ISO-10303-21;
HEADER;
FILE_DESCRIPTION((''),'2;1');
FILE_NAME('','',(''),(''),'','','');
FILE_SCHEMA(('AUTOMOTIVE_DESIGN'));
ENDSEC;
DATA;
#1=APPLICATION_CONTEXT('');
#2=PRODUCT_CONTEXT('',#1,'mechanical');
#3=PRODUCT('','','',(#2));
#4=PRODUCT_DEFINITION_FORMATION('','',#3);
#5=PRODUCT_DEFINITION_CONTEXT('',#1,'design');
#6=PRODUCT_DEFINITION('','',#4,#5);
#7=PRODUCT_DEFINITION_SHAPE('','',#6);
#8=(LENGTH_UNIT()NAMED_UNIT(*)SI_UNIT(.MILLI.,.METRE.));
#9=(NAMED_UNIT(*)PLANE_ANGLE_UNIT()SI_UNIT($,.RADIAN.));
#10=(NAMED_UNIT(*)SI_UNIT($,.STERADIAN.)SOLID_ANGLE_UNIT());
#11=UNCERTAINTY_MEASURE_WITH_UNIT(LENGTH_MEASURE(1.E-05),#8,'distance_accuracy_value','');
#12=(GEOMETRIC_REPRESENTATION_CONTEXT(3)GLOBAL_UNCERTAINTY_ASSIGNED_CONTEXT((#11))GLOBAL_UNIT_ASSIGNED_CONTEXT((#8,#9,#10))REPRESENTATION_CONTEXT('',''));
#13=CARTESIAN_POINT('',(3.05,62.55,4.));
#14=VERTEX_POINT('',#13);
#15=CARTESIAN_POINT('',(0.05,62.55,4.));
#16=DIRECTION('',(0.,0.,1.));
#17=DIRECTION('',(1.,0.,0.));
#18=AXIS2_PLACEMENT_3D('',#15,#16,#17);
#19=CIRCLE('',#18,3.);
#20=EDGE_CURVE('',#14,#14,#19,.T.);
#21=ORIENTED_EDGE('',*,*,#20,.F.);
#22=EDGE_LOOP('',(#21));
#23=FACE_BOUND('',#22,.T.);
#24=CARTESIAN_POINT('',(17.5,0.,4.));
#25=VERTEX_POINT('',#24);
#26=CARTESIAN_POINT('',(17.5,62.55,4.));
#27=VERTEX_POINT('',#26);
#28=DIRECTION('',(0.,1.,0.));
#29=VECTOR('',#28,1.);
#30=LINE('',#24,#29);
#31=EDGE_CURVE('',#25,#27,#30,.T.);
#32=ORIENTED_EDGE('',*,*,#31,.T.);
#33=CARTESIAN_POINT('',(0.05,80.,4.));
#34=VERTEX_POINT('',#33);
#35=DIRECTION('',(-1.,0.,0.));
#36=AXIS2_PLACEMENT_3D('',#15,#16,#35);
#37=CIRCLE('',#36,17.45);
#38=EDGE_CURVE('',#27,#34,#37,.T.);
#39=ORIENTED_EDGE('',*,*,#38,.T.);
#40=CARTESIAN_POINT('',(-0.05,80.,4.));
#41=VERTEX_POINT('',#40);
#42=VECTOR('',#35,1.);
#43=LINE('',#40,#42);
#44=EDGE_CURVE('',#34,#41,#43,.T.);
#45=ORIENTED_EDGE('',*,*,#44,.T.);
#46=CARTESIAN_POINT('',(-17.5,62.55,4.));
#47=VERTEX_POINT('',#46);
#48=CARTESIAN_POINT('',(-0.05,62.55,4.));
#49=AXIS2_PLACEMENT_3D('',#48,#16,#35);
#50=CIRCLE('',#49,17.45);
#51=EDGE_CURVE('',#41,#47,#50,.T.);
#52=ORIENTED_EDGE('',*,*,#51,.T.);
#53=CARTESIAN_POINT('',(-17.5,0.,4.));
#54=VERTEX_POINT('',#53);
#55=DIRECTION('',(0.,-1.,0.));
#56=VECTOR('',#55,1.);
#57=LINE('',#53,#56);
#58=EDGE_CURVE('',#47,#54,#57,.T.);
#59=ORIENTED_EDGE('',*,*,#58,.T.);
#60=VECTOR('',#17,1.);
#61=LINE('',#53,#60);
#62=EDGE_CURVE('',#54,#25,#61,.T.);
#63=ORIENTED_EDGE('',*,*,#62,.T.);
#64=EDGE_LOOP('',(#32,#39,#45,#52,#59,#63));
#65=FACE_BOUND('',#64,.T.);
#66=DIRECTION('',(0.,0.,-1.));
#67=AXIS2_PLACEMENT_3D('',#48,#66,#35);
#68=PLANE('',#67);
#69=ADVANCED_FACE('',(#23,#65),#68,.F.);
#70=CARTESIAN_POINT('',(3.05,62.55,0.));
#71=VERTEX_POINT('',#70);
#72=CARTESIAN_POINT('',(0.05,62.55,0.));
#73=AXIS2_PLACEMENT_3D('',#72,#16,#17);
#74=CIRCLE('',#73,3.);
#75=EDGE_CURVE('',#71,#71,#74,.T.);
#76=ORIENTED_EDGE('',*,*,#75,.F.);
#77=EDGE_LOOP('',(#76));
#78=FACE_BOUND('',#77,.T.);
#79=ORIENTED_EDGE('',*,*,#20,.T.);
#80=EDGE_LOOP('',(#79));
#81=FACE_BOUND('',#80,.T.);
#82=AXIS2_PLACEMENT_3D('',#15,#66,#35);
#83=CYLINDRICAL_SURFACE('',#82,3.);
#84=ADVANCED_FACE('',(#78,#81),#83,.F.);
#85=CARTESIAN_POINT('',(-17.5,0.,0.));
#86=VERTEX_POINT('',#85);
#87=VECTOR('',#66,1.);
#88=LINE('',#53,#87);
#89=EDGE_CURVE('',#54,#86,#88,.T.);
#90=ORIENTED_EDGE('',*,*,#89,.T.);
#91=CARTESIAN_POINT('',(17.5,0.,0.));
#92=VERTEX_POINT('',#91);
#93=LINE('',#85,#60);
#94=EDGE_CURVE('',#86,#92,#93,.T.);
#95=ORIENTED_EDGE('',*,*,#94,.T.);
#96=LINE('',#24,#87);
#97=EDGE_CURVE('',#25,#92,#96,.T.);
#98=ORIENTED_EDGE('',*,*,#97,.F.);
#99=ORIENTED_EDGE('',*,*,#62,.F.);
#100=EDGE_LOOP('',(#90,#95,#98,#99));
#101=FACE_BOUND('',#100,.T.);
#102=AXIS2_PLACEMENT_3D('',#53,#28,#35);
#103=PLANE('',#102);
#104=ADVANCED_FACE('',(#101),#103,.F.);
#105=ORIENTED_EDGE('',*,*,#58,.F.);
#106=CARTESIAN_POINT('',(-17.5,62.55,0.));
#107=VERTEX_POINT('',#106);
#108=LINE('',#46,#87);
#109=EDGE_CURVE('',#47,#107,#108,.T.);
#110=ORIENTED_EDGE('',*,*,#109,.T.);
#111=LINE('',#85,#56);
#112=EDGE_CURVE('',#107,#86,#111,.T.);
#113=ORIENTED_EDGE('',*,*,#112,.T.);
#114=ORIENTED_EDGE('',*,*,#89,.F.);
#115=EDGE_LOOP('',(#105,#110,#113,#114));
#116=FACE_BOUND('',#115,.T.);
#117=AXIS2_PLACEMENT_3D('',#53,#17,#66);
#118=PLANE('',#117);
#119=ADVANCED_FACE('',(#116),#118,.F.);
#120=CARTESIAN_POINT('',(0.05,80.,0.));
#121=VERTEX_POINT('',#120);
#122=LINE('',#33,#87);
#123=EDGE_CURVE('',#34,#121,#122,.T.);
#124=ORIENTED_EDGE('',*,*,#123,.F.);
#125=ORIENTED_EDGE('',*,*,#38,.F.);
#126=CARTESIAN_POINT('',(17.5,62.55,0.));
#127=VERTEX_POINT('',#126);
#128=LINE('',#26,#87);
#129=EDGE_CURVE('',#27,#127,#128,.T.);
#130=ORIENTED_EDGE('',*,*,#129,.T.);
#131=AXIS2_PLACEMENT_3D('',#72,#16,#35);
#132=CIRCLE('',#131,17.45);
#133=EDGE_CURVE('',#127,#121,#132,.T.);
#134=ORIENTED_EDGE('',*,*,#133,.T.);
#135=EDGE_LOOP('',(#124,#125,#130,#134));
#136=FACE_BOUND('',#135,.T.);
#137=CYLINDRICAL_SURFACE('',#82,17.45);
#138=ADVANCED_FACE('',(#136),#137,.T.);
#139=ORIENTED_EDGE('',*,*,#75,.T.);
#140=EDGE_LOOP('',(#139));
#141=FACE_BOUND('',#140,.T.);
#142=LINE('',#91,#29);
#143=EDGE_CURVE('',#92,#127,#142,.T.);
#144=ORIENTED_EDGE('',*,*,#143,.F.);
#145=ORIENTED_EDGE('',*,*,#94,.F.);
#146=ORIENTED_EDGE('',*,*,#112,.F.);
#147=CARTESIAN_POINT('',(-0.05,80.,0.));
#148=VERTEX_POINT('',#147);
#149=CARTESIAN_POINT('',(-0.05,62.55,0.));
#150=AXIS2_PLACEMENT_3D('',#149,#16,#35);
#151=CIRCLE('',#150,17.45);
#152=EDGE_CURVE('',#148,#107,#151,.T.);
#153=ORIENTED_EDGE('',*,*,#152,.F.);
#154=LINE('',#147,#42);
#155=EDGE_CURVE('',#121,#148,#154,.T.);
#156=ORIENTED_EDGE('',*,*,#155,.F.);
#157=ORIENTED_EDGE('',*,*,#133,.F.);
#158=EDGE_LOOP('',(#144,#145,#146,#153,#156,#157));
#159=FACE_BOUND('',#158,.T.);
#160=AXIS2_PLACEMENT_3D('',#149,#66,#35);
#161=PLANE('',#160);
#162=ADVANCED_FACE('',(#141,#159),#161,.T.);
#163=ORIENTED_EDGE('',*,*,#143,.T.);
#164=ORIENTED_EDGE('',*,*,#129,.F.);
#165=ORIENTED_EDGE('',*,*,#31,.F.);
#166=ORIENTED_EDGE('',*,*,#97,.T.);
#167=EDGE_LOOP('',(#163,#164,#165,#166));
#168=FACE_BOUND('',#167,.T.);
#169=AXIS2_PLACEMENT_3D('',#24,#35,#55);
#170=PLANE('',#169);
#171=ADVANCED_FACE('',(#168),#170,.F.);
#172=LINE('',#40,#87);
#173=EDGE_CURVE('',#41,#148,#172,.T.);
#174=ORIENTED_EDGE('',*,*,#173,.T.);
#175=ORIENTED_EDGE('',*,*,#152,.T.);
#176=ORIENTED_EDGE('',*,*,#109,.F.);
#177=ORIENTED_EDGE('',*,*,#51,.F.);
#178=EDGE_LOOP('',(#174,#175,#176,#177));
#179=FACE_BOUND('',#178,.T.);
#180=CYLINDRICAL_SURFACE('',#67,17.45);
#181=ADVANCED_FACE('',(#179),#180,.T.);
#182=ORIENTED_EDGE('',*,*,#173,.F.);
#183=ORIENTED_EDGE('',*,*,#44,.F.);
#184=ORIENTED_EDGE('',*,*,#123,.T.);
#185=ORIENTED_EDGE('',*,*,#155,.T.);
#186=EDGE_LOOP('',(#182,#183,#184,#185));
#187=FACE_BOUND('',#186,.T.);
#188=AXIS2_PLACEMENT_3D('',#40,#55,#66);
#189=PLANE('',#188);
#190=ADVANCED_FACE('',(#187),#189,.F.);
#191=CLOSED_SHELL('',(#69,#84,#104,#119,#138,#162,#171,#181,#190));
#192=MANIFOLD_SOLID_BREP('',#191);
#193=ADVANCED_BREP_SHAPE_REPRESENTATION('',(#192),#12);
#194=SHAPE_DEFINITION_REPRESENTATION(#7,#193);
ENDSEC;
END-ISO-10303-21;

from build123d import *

# Parameters (mm, degrees)
SKETCH_1_R      = 3
EXTRUDE_1_DEPTH = 4


with BuildPart() as part:
    # Эскиз1 → Бобышка-Вытянуть1 (new body)
    with BuildSketch(Plane.XY):
        with BuildLine():
            Line((-17.5, 0), (17.5, 0))
            Line((17.5, 0), (17.5, 62.55))
            ThreePointArc((17.5, 62.55), (12.389013332, 74.889013332), (0.05, 80))
            Line((0.05, 80), (-0.05, 80))
            ThreePointArc((-0.05, 80), (-12.389013332, 74.889013332), (-17.5, 62.55))
            Line((-17.5, 62.55), (-17.5, 0))
        make_face()
        with Locations((0.05, 62.55)):
            Circle(SKETCH_1_R, mode=Mode.SUBTRACT)
    extrude(amount=EXTRUDE_1_DEPTH)


solid = part.part
